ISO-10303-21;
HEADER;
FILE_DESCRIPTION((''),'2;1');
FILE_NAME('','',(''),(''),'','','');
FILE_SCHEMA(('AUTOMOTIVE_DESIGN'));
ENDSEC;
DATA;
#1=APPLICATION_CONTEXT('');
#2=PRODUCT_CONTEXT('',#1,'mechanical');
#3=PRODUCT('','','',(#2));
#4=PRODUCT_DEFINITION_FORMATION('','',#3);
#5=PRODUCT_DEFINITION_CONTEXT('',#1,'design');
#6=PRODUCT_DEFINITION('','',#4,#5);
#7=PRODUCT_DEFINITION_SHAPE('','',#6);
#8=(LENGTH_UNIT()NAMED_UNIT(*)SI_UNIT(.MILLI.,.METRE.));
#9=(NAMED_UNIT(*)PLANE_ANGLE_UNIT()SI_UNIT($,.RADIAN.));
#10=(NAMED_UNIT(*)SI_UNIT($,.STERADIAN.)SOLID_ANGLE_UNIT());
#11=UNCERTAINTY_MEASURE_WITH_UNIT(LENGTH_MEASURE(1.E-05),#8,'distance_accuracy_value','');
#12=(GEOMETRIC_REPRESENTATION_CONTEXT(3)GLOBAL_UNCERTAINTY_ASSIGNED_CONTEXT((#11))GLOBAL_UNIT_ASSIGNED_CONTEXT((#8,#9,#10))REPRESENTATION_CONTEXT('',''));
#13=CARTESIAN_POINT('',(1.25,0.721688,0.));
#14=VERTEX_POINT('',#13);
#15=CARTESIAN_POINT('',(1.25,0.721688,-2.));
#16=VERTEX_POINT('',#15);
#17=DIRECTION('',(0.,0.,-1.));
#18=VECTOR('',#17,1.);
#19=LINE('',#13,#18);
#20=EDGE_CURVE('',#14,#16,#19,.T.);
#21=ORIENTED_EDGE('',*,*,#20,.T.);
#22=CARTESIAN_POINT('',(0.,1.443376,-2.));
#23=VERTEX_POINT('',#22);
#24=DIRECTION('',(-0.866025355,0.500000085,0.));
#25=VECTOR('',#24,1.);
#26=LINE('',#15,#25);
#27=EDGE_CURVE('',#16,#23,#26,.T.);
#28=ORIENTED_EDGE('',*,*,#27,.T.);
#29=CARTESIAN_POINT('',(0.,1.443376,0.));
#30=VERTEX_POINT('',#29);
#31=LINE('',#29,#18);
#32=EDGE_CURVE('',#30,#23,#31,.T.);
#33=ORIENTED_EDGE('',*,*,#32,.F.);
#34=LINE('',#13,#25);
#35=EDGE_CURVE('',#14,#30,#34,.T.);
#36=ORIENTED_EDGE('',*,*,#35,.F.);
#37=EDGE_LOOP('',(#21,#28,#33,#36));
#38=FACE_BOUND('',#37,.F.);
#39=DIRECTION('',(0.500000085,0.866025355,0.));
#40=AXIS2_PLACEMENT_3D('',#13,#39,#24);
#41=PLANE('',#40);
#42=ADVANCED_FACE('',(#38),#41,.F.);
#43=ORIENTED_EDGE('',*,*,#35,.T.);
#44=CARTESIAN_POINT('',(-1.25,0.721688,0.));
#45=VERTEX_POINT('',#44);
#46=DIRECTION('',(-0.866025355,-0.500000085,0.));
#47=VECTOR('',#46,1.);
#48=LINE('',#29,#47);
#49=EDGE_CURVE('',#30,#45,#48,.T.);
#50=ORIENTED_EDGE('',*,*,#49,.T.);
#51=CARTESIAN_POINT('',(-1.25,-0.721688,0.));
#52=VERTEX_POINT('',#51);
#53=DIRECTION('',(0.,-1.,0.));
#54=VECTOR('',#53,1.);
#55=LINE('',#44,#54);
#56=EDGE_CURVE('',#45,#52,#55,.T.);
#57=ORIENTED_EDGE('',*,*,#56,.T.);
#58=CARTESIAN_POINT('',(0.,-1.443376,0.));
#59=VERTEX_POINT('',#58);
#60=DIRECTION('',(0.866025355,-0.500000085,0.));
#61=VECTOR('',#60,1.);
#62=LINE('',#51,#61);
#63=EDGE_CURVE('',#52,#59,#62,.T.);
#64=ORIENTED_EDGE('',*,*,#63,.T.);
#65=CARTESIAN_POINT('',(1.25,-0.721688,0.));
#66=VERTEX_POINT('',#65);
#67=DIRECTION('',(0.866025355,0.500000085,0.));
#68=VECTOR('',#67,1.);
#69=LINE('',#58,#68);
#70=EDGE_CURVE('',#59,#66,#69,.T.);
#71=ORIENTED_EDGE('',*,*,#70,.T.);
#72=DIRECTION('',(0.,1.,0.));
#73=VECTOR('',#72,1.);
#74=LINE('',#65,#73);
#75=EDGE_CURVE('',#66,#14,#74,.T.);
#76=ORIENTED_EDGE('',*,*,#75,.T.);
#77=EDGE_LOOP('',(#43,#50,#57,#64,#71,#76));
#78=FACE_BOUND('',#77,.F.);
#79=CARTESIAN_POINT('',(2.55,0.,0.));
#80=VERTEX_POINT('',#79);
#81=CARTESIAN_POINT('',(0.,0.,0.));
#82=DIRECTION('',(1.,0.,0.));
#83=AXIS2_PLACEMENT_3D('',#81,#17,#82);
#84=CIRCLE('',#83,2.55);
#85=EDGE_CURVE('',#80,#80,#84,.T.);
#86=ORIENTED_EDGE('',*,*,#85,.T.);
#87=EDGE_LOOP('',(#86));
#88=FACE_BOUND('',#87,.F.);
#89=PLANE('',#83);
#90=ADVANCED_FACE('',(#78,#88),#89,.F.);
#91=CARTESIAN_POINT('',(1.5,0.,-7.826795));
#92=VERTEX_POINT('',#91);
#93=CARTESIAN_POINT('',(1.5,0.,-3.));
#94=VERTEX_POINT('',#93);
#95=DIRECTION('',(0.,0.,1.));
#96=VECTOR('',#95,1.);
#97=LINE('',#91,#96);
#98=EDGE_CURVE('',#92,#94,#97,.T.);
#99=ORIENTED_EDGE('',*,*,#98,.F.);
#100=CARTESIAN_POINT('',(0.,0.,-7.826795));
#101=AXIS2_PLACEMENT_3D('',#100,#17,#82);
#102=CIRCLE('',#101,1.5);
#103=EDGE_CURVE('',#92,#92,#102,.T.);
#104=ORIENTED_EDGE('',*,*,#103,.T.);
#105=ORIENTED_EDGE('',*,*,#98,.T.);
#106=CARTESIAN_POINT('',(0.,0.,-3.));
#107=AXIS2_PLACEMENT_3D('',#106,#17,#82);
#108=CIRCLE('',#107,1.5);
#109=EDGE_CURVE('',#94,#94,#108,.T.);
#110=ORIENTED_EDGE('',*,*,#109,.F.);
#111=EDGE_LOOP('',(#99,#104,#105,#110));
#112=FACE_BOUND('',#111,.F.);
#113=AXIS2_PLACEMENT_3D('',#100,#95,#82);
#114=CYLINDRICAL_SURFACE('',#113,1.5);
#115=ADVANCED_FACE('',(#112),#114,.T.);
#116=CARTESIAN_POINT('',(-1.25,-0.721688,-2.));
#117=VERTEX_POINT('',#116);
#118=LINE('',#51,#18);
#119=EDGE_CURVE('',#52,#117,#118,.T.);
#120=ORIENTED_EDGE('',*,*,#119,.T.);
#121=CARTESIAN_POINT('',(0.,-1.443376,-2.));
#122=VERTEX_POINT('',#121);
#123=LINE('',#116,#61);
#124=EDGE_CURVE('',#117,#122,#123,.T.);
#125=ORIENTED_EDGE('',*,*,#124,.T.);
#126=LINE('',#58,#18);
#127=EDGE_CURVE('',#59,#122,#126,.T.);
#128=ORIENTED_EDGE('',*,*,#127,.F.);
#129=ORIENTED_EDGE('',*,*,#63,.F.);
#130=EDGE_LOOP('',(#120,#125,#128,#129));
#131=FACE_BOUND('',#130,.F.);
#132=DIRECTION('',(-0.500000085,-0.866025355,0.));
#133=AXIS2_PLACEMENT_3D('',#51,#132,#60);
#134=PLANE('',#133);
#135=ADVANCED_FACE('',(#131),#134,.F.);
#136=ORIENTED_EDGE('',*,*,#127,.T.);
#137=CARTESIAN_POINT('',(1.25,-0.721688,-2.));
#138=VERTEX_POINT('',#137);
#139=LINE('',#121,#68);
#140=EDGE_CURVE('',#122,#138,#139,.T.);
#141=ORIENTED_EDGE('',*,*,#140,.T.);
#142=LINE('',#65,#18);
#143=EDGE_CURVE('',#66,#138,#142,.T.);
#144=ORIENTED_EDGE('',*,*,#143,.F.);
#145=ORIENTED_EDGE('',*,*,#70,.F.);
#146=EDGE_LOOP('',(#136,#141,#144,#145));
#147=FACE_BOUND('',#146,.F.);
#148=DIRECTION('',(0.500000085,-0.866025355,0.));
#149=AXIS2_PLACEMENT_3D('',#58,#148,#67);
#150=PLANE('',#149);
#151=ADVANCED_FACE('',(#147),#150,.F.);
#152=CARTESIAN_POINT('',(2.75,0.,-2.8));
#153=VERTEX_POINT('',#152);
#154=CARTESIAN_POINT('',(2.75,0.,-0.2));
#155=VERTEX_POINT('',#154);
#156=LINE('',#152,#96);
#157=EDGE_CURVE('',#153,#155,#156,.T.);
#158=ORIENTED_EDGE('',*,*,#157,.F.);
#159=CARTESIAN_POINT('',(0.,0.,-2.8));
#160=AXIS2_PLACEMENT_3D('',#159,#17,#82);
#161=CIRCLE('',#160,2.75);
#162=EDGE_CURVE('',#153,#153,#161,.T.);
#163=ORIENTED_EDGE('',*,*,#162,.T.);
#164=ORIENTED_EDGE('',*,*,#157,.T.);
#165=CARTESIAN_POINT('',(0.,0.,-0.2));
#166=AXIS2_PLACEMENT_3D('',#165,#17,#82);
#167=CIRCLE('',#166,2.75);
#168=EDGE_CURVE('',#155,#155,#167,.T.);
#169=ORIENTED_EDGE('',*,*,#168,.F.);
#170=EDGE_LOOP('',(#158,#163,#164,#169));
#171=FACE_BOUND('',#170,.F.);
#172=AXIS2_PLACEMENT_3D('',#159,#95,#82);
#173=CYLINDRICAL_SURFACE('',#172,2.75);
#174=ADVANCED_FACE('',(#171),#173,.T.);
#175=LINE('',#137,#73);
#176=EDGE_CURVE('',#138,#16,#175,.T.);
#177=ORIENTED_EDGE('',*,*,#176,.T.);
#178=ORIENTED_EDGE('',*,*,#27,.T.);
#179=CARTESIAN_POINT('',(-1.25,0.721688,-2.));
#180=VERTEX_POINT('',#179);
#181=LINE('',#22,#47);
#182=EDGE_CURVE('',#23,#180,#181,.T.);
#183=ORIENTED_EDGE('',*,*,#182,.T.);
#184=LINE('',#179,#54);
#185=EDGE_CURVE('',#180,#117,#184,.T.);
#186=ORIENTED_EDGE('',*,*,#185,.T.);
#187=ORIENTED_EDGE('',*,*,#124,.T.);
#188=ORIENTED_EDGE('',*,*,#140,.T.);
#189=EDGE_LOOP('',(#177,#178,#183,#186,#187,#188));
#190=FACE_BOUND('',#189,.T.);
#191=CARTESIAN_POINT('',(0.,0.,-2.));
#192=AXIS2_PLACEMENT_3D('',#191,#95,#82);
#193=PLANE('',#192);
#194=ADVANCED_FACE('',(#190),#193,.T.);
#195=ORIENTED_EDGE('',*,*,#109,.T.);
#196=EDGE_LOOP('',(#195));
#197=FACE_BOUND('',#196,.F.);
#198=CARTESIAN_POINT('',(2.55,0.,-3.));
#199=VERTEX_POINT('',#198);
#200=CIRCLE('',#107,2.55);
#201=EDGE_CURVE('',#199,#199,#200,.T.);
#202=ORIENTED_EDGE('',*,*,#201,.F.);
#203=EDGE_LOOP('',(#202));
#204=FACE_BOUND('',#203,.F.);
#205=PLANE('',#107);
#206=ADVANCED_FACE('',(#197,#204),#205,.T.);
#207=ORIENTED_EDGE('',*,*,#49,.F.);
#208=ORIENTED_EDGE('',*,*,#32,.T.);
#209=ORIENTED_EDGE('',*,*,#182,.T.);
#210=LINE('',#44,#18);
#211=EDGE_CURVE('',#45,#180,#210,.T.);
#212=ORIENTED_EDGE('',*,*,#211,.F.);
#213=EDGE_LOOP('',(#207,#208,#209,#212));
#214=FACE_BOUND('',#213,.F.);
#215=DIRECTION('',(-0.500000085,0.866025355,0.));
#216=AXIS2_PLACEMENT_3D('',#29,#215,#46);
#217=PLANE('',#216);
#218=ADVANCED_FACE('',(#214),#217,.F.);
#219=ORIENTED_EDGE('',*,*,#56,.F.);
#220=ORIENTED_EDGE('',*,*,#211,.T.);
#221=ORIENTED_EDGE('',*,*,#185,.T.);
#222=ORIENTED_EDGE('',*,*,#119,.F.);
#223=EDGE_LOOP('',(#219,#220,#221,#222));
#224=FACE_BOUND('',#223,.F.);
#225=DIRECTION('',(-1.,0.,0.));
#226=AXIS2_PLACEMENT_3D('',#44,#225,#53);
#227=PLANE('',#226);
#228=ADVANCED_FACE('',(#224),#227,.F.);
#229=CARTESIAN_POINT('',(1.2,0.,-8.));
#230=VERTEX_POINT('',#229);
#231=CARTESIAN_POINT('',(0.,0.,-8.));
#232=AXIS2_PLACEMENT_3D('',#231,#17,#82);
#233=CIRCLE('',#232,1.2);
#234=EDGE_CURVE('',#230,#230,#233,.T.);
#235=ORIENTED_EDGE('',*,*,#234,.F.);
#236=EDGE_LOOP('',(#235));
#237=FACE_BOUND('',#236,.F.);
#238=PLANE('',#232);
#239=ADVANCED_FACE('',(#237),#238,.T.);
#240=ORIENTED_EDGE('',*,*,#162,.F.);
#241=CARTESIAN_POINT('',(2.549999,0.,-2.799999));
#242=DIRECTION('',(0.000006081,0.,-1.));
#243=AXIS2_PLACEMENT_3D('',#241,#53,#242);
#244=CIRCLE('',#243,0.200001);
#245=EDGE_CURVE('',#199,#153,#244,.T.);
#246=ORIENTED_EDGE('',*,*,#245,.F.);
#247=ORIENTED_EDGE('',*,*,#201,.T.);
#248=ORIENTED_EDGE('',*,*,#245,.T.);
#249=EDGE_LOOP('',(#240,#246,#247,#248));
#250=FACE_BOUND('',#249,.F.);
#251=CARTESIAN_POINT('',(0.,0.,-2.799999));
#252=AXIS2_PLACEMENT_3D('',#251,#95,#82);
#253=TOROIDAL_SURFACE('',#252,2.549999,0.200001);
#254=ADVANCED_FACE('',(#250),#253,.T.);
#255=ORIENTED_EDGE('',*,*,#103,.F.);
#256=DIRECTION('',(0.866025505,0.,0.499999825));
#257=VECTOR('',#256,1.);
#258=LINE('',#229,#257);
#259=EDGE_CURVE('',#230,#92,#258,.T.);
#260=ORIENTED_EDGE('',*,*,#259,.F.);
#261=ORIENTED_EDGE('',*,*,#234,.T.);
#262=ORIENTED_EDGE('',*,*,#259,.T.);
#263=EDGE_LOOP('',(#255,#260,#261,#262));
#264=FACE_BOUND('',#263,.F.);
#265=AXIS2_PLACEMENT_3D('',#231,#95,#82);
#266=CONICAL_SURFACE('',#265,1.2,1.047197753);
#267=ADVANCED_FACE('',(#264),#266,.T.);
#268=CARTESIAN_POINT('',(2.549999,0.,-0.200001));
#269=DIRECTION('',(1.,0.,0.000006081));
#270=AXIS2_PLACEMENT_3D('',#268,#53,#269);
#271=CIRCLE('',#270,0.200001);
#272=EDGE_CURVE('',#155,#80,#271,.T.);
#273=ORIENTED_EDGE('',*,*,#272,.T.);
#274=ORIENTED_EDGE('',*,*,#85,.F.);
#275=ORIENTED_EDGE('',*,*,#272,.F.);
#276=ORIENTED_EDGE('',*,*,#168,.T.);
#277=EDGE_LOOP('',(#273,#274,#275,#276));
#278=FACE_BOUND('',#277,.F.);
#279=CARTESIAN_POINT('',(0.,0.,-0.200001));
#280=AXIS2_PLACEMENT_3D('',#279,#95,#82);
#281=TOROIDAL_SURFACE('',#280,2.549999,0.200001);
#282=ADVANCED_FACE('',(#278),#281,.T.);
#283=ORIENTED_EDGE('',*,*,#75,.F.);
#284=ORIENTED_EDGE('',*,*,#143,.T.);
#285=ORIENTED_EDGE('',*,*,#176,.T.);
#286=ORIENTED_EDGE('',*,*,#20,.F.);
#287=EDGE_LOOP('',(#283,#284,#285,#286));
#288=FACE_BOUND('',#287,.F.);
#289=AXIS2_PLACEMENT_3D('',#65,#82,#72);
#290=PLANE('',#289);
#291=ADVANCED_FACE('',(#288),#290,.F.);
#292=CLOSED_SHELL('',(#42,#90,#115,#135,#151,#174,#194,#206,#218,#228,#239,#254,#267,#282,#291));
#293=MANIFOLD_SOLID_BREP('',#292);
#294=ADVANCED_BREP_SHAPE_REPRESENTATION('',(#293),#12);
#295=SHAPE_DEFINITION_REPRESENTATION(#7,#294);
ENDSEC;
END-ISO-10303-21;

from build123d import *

# Parameters (mm, degrees)
F3_DEPTH = 2


with BuildPart() as f1:
    # F0 (on Front) → F1 (revolve)
    with BuildSketch(Plane.XZ):
        with BuildLine():
            Line((2.55, 0), (0, 0))
            Line((0, 0), (0, -8))
            Line((0, -8), (1.2, -8))
            Line((1.2, -8), (1.5, -7.826795))
            Line((1.5, -7.826795), (1.5, -3))
            Line((1.5, -3), (2.55, -3))
            ThreePointArc((2.55, -3), (2.691421, -2.941421), (2.75, -2.8))
            Line((2.75, -2.8), (2.75, -0.2))
            ThreePointArc((2.75, -0.2), (2.691421, -0.058579), (2.55, 0))
        make_face()
    revolve(axis=Axis((0, 0, -10.617692), (0, 0, -1)))

    # F2 (on face) → F3 (cut)
    with BuildSketch(Plane.XY):
        Polygon((1.25, -0.721688), (1.25, 0.721688), (0, 1.443376), (-1.25, 0.721688), (-1.25, -0.721688), (0, -1.443376), align=None)
    extrude(amount=-F3_DEPTH, mode=Mode.SUBTRACT)


solid = f1.part
